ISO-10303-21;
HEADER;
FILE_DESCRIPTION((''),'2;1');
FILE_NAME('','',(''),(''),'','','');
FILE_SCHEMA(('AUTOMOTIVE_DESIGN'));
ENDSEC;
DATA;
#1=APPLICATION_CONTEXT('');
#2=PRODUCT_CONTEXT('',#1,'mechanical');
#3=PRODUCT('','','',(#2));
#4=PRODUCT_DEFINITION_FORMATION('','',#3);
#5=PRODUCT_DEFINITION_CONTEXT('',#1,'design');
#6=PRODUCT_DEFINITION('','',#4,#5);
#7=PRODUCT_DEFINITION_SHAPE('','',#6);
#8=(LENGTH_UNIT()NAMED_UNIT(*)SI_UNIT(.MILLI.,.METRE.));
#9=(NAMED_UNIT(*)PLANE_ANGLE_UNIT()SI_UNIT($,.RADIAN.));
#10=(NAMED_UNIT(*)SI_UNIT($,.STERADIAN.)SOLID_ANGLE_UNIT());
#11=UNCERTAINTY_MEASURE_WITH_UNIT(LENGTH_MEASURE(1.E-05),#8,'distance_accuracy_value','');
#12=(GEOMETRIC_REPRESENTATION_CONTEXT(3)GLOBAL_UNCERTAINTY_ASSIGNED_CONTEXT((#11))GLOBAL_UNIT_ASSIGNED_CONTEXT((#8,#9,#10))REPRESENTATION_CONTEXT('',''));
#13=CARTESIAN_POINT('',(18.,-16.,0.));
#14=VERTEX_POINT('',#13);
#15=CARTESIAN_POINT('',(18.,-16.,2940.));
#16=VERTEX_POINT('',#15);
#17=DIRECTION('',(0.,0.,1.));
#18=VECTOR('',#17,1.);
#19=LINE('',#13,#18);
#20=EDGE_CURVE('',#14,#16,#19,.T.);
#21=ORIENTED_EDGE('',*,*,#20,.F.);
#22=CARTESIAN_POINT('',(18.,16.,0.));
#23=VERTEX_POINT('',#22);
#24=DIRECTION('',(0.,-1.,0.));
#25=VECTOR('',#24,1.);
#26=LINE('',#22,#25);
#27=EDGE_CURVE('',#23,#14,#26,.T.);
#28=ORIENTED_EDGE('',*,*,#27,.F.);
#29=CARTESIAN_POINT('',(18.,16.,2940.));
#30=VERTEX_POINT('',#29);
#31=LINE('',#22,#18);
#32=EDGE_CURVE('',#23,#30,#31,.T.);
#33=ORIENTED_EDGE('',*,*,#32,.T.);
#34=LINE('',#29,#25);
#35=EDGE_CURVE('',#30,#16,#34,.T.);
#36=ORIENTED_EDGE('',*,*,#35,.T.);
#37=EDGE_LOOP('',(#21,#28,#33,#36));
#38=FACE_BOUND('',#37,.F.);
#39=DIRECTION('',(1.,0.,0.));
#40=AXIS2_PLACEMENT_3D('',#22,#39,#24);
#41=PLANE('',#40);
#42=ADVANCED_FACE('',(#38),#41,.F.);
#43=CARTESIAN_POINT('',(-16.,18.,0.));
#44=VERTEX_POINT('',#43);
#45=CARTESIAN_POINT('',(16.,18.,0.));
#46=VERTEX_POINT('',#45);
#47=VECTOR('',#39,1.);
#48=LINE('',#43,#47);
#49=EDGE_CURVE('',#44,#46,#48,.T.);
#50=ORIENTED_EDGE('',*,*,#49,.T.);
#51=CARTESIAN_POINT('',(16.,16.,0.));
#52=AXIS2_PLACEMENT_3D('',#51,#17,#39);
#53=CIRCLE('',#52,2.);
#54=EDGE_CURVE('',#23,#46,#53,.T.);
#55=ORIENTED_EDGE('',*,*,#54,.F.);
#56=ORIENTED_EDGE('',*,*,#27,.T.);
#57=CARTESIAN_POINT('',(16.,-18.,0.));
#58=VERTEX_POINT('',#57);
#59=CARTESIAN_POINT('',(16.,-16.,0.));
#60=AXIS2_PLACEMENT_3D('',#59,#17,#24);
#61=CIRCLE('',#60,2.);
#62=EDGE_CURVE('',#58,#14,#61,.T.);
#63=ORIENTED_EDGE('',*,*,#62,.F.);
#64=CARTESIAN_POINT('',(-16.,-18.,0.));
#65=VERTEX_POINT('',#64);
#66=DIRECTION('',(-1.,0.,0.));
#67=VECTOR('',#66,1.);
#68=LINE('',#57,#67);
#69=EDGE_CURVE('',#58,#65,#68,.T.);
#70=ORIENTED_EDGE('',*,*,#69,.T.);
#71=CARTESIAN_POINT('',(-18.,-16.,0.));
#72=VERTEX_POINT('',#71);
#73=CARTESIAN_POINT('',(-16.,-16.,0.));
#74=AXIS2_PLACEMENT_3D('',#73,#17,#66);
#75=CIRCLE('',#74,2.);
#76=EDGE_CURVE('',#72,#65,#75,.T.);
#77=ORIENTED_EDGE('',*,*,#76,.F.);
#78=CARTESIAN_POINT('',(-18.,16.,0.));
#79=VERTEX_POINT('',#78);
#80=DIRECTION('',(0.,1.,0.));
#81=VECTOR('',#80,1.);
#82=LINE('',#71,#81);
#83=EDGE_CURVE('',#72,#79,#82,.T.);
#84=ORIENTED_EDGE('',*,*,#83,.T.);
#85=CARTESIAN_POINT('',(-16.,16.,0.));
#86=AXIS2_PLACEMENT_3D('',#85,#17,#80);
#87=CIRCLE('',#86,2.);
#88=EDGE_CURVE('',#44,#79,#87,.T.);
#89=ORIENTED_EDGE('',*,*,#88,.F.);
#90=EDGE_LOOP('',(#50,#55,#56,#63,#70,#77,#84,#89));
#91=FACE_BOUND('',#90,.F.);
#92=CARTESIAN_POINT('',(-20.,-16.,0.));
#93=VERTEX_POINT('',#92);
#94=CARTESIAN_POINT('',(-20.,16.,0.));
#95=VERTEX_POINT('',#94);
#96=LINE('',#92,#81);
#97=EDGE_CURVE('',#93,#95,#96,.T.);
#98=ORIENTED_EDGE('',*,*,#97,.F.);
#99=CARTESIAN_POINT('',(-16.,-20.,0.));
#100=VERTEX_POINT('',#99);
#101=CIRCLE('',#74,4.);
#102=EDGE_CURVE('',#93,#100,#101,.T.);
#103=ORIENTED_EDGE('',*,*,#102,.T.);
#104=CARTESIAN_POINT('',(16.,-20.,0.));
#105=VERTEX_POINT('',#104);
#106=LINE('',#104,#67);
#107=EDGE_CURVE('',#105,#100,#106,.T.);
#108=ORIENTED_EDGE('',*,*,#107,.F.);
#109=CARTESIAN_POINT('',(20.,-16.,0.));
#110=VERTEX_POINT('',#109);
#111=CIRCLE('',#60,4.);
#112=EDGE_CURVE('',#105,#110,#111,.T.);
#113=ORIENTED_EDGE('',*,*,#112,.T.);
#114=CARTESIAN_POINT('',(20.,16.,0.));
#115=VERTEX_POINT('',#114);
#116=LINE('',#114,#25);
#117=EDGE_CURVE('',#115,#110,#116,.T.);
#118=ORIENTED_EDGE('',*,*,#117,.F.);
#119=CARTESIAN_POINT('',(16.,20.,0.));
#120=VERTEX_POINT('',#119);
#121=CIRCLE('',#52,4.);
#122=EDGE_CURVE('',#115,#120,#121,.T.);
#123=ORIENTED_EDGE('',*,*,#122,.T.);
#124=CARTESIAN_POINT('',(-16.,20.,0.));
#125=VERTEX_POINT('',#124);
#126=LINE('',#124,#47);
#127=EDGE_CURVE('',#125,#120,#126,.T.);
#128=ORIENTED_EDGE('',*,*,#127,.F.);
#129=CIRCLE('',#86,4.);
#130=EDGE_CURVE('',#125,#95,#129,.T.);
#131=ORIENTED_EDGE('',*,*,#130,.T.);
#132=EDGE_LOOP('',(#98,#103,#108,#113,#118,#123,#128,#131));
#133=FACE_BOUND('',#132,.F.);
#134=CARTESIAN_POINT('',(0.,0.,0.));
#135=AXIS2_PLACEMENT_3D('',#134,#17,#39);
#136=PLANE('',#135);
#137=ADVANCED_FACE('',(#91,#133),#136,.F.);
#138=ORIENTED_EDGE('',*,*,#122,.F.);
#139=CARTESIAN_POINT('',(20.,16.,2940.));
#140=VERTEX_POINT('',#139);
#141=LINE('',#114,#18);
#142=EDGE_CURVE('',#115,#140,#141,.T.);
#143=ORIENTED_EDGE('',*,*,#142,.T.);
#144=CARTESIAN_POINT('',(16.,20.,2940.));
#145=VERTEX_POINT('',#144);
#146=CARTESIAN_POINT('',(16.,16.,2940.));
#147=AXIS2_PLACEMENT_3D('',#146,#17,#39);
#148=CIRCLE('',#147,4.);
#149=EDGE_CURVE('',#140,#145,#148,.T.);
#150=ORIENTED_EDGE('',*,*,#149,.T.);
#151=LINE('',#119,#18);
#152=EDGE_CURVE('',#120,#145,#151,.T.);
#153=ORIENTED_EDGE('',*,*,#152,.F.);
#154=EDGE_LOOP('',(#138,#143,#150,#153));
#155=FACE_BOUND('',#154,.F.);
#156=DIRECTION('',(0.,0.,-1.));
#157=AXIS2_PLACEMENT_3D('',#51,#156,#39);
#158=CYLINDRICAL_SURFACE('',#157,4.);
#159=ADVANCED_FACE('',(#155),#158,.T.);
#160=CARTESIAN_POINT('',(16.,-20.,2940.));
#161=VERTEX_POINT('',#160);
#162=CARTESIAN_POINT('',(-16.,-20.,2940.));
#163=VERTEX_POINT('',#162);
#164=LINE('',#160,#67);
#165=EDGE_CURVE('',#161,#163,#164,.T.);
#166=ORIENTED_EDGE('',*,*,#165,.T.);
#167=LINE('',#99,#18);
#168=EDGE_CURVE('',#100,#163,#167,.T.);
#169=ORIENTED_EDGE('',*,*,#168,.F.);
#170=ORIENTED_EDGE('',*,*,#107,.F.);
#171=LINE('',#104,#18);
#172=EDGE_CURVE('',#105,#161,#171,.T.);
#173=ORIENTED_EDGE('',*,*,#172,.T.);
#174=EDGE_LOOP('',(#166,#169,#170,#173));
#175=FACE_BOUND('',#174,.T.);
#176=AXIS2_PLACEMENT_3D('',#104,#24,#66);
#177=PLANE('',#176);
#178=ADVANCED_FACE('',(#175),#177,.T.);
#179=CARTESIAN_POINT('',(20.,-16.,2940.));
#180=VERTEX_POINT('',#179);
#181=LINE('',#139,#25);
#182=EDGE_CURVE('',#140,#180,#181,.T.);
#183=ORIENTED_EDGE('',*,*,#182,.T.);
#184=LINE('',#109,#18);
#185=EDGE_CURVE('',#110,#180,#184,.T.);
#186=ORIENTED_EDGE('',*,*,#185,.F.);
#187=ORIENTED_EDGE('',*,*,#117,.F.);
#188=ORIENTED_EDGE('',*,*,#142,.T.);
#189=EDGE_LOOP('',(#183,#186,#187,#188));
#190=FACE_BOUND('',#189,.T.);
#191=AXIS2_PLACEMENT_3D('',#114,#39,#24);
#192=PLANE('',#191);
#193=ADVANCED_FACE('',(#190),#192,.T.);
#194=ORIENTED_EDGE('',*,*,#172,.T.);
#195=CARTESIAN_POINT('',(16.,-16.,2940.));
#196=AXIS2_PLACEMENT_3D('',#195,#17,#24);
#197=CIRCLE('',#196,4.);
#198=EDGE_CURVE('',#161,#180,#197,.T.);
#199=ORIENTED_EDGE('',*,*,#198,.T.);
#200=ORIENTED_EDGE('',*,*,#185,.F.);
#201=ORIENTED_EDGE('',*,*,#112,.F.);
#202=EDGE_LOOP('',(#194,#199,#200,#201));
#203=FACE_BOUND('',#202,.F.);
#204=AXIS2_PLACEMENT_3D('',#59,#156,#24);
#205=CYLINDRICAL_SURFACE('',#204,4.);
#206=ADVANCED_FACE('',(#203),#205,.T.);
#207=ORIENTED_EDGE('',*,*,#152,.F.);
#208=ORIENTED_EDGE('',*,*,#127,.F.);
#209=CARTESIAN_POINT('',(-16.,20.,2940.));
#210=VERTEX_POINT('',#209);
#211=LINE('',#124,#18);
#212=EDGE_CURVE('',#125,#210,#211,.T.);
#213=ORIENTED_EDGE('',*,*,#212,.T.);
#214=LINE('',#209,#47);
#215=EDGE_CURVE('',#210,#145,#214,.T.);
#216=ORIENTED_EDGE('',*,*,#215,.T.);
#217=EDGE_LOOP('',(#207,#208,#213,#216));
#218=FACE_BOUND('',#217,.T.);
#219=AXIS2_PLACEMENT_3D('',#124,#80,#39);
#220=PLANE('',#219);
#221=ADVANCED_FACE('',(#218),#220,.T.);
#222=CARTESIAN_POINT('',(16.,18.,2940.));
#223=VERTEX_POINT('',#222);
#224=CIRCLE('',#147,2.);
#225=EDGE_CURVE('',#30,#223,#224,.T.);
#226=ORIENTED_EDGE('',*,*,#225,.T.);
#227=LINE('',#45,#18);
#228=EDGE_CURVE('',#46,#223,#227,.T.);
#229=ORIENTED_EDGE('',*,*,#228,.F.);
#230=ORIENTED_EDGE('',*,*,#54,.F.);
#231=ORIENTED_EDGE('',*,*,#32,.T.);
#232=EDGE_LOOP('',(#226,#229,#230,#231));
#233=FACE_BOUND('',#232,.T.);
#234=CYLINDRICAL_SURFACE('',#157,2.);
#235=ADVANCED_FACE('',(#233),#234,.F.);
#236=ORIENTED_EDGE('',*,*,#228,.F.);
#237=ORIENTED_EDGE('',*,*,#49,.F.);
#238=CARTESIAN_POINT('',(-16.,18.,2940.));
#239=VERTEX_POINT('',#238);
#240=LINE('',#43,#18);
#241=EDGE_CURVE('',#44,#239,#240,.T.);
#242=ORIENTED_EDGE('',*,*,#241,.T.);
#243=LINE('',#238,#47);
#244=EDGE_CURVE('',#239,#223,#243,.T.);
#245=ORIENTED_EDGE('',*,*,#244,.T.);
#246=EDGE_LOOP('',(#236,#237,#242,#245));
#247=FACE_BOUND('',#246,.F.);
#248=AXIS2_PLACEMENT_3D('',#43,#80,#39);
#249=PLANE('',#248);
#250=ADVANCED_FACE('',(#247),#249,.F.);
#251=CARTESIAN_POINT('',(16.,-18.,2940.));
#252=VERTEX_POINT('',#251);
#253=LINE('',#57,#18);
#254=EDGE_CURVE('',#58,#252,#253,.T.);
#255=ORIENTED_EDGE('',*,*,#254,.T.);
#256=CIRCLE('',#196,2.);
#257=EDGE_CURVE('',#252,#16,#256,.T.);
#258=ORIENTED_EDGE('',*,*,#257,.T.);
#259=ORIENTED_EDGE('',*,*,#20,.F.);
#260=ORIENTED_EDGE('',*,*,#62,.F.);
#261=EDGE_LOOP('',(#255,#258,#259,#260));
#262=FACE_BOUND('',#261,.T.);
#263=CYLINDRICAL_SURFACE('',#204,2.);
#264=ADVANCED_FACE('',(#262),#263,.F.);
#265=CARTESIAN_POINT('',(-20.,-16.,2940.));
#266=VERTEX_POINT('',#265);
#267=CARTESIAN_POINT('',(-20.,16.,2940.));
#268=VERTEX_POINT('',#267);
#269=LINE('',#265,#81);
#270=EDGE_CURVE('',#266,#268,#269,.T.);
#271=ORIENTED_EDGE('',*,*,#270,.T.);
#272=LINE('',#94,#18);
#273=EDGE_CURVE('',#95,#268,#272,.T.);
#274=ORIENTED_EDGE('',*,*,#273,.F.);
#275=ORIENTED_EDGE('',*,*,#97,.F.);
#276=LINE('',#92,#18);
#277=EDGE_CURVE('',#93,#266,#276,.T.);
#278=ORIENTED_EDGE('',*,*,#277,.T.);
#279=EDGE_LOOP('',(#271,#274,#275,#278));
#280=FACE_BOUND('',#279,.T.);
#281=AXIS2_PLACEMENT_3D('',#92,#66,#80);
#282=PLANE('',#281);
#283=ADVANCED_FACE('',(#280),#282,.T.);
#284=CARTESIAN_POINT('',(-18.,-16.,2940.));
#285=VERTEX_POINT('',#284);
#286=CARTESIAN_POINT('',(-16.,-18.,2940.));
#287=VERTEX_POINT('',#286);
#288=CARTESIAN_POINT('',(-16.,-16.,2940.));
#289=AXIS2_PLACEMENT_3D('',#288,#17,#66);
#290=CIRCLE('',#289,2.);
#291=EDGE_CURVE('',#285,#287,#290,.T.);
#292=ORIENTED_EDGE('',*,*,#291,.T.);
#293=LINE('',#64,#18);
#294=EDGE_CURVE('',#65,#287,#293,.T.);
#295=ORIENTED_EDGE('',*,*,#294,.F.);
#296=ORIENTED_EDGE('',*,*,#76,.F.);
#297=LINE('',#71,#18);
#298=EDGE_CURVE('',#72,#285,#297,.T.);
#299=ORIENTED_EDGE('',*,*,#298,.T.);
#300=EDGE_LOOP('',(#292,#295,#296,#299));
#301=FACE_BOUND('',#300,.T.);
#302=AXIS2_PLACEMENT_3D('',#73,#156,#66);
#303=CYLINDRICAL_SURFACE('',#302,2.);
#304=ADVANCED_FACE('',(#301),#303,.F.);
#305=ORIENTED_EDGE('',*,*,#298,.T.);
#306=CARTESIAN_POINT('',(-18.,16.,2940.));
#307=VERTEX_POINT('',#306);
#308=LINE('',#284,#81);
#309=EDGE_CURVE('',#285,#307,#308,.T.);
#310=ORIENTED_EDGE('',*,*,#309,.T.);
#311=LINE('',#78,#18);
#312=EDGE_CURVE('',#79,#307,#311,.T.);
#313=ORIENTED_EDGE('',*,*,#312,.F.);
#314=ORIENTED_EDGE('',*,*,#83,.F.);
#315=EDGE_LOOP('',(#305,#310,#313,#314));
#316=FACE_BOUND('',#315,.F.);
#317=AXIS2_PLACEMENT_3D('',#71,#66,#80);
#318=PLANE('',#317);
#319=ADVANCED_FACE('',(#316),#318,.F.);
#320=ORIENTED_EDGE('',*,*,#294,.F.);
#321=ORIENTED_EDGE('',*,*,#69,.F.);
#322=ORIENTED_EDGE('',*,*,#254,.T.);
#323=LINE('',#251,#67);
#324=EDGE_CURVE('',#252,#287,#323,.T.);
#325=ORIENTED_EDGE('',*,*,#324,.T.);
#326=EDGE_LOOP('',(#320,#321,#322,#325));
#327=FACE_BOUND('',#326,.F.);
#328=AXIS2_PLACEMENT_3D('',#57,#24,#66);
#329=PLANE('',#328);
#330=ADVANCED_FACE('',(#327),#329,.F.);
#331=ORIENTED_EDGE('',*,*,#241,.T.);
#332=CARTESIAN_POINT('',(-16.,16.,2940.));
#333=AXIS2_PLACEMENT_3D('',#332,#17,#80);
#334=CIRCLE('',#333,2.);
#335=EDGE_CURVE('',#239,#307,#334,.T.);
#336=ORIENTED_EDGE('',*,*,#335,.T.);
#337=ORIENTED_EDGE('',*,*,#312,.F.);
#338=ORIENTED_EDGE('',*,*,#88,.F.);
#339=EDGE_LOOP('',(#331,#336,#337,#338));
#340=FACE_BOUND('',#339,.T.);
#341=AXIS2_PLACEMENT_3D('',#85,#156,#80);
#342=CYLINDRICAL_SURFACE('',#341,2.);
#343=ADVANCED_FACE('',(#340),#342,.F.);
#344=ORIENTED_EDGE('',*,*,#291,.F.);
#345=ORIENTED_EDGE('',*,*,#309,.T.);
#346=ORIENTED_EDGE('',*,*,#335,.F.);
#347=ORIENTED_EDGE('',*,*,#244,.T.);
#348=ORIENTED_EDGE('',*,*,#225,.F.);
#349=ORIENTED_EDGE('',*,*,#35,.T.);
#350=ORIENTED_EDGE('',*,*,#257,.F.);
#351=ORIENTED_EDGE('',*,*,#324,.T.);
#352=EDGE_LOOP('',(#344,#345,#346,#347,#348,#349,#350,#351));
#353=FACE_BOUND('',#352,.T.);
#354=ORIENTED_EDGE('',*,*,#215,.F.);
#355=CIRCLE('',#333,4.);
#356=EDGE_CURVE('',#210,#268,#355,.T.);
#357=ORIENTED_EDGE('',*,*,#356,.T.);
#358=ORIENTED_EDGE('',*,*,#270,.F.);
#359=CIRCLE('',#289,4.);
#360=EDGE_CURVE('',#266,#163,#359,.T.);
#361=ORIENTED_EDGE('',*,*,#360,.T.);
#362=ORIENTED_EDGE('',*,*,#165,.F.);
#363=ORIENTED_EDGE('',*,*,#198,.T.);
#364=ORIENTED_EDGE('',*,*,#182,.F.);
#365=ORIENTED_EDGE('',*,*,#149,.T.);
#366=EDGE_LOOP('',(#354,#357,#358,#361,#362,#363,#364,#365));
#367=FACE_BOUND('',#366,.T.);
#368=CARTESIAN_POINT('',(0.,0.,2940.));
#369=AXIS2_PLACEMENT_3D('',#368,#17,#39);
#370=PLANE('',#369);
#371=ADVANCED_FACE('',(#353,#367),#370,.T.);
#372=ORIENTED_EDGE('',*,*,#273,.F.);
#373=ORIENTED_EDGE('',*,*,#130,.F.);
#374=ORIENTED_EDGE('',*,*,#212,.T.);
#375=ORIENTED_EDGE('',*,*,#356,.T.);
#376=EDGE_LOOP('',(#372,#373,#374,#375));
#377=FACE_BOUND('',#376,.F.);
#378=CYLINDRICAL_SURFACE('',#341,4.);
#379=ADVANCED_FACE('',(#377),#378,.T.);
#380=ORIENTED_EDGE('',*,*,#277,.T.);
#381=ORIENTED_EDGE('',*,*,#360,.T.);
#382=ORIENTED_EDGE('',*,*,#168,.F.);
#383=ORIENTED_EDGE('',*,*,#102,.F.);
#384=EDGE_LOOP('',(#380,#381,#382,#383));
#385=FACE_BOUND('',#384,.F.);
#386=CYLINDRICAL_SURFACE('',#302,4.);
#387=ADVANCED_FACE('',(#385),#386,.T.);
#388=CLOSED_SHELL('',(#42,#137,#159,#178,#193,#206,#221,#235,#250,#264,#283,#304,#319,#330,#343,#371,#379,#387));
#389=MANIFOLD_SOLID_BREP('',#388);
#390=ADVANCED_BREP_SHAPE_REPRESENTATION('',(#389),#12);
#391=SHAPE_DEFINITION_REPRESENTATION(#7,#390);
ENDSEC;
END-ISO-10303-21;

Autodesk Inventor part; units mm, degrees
ref_plane "YZ Plane" through (0, 0, 0) normal (1, 0, 0) x (0, 1, 0)
ref_plane "Start plane" through (0, 0, 0) normal (0, 0, 1) x (1, 0, 0)
ref_plane "End plane" through (0, 0, 2940) normal (0, 0, 1) x (1, 0, 0)
sketch "Sketch" plane through (0, 0, 0) normal (0, 0, 1) x (1, 0, 0)
  line L0 (-20, -16) -> (-20, 16)
  line L1 (-16, 20) -> (16, 20)
  line L2 (20, 16) -> (20, -16)
  line L3 (16, -20) -> (-16, -20)
  arc A0 (-20, -16) -> (-16, -20) centre (-16, -16) ccw
  arc A1 (20, 16) -> (16, 20) centre (16, 16) ccw
  arc A2 (-16, 20) -> (-20, 16) centre (-16, 16) ccw
  arc A3 (16, -20) -> (20, -16) centre (16, -16) ccw
  arc A4 (-16, 18) -> (-18, 16) centre (-16, 16) ccw
  line L4 (-16, 18) -> (16, 18)
  arc A5 (18, 16) -> (16, 18) centre (16, 16) ccw
  line L5 (18, 16) -> (18, -16)
  arc A6 (16, -18) -> (18, -16) centre (16, -16) ccw
  line L6 (16, -18) -> (-16, -18)
  arc A7 (-18, -16) -> (-16, -18) centre (-16, -16) ccw
  line L7 (-18, -16) -> (-18, 16)
  line L8 (0, 29.1598) -> (0, -29.1598) construction
  line L9 (-29.1598, 0) -> (29.1598, 0) construction
  dimension "d7" = 4
  dimension "d9" = 40
  dimension "d11" = 40
  dimension "d12" = 2
  dimension "d15" = 20
  dimension "d16" = 20
extrude "Body" add sketch "Sketch" along normal up to surface (2940 mm away) from surface at 0
sketch "Sketch3" plane through (0, 0, 0) normal (0, 0, 1) x (1, 0, 0)
  line L0 (0, 0) -> (10, 0)
ref_plane "Work Plane3" through (0, 0, 0) normal (0, -1, 0) x (1, 0, 0)
sketch "Sketch4" plane through (0, 0, 0) normal (0, -1, 0) x (1, 0, 0)
  line L0 (-2, 0) -> (12, 0) projected
  line L1 (-2, 2940) -> (12, 2940) projected
  dimension "d18" = 2940
equation "\"d7\" = G_IR"
equation "\"d9\" = G_W"
equation "\"d11\" = G_H"
equation "\"d12\" = G_T"
equation "\"d15\" = 0.5 * d9"
equation "\"d16\" = 0.5 * d11"
equation "\"d3\" = G_L"
equation "\"G_W\" = 40"
equation "\"G_H\" = 40"
equation "\"G_T\" = 2"
equation "\"G_IR\" = 4"
equation "\"G_L\" = d18"
equation "\"G_OFFSET_START\" = 0"
equation "\"G_OFFSET_END\" = 0"
properties part number "ISO 4019 - 40x40x2 - 2940" material "Steel, Mild"
